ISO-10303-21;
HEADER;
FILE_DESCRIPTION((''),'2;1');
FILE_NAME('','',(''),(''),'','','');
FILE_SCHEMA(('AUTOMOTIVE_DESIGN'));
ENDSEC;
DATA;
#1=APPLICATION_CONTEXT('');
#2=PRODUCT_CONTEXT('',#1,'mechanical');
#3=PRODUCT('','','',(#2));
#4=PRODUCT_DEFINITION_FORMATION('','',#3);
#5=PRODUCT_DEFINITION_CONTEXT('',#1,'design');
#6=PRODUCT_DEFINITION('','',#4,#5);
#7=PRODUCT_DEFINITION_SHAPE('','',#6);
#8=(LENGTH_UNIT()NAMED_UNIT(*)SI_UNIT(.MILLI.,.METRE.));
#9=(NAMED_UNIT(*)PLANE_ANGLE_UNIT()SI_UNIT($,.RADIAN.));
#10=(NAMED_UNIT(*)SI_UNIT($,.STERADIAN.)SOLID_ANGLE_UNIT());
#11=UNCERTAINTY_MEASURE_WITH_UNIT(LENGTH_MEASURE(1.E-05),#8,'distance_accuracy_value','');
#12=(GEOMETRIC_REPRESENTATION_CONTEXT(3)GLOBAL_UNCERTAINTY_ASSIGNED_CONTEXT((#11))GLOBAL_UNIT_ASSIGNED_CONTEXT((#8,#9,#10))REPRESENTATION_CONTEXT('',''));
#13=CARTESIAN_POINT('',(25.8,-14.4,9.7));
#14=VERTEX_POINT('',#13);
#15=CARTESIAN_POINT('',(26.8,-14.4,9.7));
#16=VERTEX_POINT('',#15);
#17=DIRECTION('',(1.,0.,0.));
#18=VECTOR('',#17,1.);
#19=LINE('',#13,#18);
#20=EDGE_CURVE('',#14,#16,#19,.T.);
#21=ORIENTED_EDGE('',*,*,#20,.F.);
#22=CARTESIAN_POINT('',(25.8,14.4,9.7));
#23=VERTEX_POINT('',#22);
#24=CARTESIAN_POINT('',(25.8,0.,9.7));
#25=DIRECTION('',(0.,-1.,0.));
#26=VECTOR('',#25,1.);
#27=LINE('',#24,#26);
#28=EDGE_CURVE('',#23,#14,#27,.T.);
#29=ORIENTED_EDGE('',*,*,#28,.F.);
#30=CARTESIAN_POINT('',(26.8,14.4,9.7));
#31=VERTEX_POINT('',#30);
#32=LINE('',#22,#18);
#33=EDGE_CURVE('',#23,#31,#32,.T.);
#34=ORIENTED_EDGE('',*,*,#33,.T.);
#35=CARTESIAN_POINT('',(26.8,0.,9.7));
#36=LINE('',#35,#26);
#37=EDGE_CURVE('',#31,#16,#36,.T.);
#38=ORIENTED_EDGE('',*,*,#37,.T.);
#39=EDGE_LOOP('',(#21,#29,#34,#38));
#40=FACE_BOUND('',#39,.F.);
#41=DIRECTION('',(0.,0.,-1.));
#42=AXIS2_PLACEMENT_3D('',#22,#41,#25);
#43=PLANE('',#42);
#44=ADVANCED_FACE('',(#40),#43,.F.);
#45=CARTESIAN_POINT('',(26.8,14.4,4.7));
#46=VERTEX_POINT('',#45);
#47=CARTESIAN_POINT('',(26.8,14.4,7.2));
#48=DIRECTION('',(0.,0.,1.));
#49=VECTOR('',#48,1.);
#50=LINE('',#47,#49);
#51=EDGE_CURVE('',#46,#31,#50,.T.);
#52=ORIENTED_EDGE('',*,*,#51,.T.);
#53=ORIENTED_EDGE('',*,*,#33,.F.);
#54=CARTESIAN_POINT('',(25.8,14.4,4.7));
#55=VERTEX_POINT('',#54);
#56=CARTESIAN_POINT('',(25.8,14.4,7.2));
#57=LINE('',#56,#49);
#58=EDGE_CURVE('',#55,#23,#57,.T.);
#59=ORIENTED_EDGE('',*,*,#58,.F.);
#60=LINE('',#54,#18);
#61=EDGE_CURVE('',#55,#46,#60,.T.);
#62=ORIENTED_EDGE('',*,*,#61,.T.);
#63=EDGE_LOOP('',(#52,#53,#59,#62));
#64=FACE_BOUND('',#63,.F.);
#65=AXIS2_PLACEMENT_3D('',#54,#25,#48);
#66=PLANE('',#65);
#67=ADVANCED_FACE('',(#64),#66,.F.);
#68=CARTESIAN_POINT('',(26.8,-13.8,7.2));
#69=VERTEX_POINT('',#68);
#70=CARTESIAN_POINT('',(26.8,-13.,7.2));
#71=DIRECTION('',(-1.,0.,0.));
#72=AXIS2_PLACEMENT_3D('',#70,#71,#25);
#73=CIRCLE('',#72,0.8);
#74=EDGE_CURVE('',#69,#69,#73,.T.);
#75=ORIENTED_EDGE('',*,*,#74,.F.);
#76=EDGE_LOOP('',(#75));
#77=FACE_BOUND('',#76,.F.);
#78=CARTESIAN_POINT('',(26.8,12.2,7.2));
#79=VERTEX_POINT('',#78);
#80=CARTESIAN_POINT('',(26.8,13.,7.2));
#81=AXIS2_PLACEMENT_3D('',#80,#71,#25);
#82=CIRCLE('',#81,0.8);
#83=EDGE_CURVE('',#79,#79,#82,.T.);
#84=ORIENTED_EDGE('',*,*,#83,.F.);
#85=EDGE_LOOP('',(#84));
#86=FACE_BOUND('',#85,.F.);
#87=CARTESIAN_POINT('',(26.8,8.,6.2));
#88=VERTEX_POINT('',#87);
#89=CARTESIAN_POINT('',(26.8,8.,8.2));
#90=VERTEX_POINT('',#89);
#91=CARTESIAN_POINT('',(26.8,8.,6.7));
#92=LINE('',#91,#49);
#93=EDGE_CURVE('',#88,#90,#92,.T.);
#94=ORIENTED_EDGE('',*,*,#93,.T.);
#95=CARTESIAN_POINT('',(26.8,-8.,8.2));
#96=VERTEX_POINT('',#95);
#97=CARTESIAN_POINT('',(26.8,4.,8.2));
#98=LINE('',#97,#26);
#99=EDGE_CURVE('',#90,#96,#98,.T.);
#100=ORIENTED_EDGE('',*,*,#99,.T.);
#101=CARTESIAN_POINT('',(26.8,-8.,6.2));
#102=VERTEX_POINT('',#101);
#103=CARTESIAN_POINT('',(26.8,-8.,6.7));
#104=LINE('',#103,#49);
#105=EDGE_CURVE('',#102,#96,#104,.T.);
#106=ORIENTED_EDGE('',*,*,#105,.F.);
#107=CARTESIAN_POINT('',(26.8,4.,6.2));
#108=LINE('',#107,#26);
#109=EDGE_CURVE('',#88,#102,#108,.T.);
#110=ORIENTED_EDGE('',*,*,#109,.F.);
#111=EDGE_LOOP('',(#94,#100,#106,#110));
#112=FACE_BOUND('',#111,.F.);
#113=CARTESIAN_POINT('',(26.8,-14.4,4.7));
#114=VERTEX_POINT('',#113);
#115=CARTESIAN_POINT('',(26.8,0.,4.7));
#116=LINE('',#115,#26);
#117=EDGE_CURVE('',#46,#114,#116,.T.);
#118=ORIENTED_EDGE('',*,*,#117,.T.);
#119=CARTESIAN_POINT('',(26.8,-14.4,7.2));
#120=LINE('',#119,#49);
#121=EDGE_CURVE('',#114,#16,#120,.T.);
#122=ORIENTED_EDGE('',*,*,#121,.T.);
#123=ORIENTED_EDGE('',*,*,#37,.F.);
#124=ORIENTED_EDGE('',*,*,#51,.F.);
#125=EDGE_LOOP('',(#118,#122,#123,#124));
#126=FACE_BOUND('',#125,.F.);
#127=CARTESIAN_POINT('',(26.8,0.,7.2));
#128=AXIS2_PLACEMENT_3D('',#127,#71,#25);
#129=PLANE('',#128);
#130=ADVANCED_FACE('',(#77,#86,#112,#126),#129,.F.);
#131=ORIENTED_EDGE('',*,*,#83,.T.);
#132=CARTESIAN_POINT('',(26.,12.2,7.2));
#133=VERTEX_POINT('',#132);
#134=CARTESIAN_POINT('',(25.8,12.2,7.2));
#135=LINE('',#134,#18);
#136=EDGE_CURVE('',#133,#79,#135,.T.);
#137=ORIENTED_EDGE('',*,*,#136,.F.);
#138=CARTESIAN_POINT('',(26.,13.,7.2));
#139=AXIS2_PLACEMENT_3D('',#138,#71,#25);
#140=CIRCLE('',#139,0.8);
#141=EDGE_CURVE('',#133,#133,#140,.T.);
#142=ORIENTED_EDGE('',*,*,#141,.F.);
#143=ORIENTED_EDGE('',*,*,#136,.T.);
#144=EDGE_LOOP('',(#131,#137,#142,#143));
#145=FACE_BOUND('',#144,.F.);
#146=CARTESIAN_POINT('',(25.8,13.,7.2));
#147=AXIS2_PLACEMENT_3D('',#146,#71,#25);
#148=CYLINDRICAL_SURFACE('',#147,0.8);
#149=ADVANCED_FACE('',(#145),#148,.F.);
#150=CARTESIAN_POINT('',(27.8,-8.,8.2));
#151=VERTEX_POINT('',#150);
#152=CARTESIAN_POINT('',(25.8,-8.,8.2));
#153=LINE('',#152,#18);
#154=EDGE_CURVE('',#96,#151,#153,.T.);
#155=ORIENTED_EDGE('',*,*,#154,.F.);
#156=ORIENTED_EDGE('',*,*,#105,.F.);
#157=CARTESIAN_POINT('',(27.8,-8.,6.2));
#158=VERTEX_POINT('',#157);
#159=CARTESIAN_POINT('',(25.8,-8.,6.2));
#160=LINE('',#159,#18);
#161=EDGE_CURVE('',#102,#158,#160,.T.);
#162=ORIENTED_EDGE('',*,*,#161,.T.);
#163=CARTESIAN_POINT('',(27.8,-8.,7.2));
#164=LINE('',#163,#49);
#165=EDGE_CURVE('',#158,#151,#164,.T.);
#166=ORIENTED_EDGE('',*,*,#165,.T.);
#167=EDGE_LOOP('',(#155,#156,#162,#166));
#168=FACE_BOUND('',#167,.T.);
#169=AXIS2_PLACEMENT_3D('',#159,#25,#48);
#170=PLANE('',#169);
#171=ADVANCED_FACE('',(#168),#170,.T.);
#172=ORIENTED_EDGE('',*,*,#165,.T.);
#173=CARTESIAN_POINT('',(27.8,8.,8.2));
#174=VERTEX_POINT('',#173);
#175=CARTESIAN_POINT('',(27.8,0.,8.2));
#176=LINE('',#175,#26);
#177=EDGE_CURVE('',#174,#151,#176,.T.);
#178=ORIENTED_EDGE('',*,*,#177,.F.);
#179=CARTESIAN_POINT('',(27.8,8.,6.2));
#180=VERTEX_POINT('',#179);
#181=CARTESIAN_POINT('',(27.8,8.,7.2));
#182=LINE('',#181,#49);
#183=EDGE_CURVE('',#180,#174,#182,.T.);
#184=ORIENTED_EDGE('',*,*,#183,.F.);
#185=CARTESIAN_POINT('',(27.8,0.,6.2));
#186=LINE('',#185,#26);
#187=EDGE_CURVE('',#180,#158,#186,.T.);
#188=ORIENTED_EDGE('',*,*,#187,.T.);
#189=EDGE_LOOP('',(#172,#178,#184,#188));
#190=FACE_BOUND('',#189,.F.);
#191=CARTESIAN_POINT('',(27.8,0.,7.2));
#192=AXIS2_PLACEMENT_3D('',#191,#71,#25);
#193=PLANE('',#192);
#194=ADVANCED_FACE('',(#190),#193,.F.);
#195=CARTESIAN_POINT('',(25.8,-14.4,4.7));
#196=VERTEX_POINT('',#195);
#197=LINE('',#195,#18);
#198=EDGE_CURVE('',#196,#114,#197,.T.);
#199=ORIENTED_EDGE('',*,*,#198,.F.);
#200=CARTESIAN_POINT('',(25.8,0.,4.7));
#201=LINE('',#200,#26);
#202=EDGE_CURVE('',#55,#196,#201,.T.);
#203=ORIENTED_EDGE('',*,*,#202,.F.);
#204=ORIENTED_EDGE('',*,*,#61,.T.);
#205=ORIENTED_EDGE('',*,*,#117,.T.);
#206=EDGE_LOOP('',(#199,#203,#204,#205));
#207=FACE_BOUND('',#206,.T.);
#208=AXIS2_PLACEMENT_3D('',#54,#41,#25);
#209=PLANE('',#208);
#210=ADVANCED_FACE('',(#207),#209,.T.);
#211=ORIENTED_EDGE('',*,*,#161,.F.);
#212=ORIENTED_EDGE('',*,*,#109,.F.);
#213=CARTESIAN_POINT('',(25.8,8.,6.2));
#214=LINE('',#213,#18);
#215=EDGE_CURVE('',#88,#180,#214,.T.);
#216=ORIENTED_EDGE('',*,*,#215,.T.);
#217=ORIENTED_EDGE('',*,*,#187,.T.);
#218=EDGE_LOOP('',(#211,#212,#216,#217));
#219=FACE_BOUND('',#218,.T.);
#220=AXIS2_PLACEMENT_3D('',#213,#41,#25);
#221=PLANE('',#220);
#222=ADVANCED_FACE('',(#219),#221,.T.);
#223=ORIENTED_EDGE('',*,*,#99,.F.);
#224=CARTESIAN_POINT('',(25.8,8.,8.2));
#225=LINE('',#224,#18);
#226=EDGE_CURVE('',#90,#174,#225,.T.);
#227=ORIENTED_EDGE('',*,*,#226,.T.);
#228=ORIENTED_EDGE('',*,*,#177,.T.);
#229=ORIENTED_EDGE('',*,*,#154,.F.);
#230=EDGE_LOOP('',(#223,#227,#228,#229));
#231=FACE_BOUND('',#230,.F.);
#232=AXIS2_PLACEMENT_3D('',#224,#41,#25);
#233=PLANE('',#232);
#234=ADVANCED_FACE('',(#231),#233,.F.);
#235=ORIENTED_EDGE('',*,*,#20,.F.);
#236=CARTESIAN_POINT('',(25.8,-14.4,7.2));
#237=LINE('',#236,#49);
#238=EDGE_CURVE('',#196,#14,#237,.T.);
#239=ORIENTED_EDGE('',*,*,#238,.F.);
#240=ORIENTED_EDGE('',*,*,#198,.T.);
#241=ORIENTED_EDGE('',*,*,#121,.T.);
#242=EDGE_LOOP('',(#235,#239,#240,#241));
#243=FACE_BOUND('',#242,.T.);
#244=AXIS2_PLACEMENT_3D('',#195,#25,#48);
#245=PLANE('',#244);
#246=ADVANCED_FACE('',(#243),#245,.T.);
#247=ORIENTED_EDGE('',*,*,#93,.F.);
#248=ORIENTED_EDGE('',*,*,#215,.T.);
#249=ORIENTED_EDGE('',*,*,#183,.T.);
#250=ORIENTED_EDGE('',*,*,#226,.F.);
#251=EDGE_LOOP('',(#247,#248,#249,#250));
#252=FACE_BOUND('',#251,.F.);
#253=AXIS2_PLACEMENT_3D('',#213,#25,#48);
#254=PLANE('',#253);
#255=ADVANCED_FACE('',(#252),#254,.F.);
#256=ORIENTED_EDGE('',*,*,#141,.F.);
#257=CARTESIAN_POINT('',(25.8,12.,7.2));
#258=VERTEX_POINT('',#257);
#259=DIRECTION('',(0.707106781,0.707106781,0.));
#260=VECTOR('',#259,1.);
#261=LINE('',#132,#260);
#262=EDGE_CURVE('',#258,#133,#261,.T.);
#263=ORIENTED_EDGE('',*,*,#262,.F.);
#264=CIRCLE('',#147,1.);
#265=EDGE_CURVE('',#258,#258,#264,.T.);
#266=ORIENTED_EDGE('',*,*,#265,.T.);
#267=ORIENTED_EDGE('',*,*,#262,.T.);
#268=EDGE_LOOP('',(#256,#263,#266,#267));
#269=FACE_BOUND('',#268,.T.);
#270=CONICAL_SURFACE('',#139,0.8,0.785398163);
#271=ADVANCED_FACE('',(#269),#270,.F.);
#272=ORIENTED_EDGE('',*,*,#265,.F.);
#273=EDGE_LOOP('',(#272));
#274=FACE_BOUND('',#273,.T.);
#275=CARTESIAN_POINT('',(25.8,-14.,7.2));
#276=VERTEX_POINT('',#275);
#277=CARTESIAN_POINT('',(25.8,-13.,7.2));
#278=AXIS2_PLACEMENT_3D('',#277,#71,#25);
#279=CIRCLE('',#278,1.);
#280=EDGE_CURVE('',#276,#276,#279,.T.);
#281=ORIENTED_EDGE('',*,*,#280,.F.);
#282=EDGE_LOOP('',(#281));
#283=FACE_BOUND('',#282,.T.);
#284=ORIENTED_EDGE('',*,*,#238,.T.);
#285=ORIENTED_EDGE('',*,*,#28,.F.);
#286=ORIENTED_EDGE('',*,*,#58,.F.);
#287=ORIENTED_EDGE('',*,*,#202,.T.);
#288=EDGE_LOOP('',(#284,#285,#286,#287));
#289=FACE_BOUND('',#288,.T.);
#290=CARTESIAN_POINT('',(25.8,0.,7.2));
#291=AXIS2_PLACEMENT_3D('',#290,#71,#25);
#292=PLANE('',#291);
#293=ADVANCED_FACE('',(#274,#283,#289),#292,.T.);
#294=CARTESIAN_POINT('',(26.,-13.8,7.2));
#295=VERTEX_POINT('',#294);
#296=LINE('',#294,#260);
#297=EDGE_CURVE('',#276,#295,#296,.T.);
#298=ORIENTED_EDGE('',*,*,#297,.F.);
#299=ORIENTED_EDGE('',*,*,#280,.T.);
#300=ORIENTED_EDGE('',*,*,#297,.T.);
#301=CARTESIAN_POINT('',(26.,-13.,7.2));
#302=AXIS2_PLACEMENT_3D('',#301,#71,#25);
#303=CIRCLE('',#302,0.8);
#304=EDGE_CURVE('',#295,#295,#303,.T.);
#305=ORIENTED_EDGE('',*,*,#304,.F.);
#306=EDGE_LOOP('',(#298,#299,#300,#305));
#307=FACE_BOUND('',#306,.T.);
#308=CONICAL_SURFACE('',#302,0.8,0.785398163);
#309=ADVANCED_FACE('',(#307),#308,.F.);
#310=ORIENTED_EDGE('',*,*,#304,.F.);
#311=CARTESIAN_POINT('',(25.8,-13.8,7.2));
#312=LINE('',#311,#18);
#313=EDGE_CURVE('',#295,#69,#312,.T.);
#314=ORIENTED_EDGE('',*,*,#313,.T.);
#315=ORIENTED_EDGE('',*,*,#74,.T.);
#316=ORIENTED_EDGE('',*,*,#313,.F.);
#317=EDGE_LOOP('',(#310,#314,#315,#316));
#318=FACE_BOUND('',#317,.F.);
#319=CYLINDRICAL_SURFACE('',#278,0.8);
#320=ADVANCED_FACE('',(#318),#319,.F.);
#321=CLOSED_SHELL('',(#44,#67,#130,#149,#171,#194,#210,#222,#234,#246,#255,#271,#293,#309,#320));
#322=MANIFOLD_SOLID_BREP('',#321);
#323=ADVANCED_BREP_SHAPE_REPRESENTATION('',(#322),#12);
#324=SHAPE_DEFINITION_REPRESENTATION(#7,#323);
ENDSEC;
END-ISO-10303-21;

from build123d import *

# Parameters (mm, degrees)
SKETCH056_W             = 28.8
SKETCH056_H             = 5
PAD024_DEPTH            = 1
SKETCH057_W             = 16
SKETCH057_H             = 2
PAD025_DEPTH            = 2
SKETCH058_R             = 0.8
POCKET026_DEPTH         = 5
CHAMFER023_SIZE         = 0.2
BODY019_PLACEMENT_ANGLE = 180


with BuildPart() as part:
    # Sketch056 → Pad024 (new body)
    with BuildSketch(Plane.YZ):
        with Locations((0, 7.7)):
            Rectangle(SKETCH056_W, SKETCH056_H)
    extrude(amount=-PAD024_DEPTH)

    # Sketch057 → Pad025 (join)
    with BuildSketch(Plane.YZ):
        with Locations((0, 7.7)):
            Rectangle(SKETCH057_W, SKETCH057_H)
    extrude(amount=-PAD025_DEPTH)

    # Sketch058 → Pocket026 (cut)
    with BuildSketch(Plane.YZ):
        with Locations((-13, 7.7)):
            Circle(SKETCH058_R)
        with Locations((13, 7.7)):
            Circle(SKETCH058_R)
    extrude(amount=-POCKET026_DEPTH, mode=Mode.SUBTRACT)

    # Chamfer023
    chamfer023_edges = [part.edges().sort_by_distance(p)[0] for p in [
        (0, -13.8, 7.7),
        (0, 12.2, 7.7),
    ]]
    chamfer(chamfer023_edges, length=CHAMFER023_SIZE)


with BuildPart() as part_1:
    # Body019 placement: moved
    add(part.part.moved(Location((25.8, 0, -0.5))).rotate(Axis((25.8, 0, -0.5), (0, 0, 1)), BODY019_PLACEMENT_ANGLE))


solid = part_1.part
